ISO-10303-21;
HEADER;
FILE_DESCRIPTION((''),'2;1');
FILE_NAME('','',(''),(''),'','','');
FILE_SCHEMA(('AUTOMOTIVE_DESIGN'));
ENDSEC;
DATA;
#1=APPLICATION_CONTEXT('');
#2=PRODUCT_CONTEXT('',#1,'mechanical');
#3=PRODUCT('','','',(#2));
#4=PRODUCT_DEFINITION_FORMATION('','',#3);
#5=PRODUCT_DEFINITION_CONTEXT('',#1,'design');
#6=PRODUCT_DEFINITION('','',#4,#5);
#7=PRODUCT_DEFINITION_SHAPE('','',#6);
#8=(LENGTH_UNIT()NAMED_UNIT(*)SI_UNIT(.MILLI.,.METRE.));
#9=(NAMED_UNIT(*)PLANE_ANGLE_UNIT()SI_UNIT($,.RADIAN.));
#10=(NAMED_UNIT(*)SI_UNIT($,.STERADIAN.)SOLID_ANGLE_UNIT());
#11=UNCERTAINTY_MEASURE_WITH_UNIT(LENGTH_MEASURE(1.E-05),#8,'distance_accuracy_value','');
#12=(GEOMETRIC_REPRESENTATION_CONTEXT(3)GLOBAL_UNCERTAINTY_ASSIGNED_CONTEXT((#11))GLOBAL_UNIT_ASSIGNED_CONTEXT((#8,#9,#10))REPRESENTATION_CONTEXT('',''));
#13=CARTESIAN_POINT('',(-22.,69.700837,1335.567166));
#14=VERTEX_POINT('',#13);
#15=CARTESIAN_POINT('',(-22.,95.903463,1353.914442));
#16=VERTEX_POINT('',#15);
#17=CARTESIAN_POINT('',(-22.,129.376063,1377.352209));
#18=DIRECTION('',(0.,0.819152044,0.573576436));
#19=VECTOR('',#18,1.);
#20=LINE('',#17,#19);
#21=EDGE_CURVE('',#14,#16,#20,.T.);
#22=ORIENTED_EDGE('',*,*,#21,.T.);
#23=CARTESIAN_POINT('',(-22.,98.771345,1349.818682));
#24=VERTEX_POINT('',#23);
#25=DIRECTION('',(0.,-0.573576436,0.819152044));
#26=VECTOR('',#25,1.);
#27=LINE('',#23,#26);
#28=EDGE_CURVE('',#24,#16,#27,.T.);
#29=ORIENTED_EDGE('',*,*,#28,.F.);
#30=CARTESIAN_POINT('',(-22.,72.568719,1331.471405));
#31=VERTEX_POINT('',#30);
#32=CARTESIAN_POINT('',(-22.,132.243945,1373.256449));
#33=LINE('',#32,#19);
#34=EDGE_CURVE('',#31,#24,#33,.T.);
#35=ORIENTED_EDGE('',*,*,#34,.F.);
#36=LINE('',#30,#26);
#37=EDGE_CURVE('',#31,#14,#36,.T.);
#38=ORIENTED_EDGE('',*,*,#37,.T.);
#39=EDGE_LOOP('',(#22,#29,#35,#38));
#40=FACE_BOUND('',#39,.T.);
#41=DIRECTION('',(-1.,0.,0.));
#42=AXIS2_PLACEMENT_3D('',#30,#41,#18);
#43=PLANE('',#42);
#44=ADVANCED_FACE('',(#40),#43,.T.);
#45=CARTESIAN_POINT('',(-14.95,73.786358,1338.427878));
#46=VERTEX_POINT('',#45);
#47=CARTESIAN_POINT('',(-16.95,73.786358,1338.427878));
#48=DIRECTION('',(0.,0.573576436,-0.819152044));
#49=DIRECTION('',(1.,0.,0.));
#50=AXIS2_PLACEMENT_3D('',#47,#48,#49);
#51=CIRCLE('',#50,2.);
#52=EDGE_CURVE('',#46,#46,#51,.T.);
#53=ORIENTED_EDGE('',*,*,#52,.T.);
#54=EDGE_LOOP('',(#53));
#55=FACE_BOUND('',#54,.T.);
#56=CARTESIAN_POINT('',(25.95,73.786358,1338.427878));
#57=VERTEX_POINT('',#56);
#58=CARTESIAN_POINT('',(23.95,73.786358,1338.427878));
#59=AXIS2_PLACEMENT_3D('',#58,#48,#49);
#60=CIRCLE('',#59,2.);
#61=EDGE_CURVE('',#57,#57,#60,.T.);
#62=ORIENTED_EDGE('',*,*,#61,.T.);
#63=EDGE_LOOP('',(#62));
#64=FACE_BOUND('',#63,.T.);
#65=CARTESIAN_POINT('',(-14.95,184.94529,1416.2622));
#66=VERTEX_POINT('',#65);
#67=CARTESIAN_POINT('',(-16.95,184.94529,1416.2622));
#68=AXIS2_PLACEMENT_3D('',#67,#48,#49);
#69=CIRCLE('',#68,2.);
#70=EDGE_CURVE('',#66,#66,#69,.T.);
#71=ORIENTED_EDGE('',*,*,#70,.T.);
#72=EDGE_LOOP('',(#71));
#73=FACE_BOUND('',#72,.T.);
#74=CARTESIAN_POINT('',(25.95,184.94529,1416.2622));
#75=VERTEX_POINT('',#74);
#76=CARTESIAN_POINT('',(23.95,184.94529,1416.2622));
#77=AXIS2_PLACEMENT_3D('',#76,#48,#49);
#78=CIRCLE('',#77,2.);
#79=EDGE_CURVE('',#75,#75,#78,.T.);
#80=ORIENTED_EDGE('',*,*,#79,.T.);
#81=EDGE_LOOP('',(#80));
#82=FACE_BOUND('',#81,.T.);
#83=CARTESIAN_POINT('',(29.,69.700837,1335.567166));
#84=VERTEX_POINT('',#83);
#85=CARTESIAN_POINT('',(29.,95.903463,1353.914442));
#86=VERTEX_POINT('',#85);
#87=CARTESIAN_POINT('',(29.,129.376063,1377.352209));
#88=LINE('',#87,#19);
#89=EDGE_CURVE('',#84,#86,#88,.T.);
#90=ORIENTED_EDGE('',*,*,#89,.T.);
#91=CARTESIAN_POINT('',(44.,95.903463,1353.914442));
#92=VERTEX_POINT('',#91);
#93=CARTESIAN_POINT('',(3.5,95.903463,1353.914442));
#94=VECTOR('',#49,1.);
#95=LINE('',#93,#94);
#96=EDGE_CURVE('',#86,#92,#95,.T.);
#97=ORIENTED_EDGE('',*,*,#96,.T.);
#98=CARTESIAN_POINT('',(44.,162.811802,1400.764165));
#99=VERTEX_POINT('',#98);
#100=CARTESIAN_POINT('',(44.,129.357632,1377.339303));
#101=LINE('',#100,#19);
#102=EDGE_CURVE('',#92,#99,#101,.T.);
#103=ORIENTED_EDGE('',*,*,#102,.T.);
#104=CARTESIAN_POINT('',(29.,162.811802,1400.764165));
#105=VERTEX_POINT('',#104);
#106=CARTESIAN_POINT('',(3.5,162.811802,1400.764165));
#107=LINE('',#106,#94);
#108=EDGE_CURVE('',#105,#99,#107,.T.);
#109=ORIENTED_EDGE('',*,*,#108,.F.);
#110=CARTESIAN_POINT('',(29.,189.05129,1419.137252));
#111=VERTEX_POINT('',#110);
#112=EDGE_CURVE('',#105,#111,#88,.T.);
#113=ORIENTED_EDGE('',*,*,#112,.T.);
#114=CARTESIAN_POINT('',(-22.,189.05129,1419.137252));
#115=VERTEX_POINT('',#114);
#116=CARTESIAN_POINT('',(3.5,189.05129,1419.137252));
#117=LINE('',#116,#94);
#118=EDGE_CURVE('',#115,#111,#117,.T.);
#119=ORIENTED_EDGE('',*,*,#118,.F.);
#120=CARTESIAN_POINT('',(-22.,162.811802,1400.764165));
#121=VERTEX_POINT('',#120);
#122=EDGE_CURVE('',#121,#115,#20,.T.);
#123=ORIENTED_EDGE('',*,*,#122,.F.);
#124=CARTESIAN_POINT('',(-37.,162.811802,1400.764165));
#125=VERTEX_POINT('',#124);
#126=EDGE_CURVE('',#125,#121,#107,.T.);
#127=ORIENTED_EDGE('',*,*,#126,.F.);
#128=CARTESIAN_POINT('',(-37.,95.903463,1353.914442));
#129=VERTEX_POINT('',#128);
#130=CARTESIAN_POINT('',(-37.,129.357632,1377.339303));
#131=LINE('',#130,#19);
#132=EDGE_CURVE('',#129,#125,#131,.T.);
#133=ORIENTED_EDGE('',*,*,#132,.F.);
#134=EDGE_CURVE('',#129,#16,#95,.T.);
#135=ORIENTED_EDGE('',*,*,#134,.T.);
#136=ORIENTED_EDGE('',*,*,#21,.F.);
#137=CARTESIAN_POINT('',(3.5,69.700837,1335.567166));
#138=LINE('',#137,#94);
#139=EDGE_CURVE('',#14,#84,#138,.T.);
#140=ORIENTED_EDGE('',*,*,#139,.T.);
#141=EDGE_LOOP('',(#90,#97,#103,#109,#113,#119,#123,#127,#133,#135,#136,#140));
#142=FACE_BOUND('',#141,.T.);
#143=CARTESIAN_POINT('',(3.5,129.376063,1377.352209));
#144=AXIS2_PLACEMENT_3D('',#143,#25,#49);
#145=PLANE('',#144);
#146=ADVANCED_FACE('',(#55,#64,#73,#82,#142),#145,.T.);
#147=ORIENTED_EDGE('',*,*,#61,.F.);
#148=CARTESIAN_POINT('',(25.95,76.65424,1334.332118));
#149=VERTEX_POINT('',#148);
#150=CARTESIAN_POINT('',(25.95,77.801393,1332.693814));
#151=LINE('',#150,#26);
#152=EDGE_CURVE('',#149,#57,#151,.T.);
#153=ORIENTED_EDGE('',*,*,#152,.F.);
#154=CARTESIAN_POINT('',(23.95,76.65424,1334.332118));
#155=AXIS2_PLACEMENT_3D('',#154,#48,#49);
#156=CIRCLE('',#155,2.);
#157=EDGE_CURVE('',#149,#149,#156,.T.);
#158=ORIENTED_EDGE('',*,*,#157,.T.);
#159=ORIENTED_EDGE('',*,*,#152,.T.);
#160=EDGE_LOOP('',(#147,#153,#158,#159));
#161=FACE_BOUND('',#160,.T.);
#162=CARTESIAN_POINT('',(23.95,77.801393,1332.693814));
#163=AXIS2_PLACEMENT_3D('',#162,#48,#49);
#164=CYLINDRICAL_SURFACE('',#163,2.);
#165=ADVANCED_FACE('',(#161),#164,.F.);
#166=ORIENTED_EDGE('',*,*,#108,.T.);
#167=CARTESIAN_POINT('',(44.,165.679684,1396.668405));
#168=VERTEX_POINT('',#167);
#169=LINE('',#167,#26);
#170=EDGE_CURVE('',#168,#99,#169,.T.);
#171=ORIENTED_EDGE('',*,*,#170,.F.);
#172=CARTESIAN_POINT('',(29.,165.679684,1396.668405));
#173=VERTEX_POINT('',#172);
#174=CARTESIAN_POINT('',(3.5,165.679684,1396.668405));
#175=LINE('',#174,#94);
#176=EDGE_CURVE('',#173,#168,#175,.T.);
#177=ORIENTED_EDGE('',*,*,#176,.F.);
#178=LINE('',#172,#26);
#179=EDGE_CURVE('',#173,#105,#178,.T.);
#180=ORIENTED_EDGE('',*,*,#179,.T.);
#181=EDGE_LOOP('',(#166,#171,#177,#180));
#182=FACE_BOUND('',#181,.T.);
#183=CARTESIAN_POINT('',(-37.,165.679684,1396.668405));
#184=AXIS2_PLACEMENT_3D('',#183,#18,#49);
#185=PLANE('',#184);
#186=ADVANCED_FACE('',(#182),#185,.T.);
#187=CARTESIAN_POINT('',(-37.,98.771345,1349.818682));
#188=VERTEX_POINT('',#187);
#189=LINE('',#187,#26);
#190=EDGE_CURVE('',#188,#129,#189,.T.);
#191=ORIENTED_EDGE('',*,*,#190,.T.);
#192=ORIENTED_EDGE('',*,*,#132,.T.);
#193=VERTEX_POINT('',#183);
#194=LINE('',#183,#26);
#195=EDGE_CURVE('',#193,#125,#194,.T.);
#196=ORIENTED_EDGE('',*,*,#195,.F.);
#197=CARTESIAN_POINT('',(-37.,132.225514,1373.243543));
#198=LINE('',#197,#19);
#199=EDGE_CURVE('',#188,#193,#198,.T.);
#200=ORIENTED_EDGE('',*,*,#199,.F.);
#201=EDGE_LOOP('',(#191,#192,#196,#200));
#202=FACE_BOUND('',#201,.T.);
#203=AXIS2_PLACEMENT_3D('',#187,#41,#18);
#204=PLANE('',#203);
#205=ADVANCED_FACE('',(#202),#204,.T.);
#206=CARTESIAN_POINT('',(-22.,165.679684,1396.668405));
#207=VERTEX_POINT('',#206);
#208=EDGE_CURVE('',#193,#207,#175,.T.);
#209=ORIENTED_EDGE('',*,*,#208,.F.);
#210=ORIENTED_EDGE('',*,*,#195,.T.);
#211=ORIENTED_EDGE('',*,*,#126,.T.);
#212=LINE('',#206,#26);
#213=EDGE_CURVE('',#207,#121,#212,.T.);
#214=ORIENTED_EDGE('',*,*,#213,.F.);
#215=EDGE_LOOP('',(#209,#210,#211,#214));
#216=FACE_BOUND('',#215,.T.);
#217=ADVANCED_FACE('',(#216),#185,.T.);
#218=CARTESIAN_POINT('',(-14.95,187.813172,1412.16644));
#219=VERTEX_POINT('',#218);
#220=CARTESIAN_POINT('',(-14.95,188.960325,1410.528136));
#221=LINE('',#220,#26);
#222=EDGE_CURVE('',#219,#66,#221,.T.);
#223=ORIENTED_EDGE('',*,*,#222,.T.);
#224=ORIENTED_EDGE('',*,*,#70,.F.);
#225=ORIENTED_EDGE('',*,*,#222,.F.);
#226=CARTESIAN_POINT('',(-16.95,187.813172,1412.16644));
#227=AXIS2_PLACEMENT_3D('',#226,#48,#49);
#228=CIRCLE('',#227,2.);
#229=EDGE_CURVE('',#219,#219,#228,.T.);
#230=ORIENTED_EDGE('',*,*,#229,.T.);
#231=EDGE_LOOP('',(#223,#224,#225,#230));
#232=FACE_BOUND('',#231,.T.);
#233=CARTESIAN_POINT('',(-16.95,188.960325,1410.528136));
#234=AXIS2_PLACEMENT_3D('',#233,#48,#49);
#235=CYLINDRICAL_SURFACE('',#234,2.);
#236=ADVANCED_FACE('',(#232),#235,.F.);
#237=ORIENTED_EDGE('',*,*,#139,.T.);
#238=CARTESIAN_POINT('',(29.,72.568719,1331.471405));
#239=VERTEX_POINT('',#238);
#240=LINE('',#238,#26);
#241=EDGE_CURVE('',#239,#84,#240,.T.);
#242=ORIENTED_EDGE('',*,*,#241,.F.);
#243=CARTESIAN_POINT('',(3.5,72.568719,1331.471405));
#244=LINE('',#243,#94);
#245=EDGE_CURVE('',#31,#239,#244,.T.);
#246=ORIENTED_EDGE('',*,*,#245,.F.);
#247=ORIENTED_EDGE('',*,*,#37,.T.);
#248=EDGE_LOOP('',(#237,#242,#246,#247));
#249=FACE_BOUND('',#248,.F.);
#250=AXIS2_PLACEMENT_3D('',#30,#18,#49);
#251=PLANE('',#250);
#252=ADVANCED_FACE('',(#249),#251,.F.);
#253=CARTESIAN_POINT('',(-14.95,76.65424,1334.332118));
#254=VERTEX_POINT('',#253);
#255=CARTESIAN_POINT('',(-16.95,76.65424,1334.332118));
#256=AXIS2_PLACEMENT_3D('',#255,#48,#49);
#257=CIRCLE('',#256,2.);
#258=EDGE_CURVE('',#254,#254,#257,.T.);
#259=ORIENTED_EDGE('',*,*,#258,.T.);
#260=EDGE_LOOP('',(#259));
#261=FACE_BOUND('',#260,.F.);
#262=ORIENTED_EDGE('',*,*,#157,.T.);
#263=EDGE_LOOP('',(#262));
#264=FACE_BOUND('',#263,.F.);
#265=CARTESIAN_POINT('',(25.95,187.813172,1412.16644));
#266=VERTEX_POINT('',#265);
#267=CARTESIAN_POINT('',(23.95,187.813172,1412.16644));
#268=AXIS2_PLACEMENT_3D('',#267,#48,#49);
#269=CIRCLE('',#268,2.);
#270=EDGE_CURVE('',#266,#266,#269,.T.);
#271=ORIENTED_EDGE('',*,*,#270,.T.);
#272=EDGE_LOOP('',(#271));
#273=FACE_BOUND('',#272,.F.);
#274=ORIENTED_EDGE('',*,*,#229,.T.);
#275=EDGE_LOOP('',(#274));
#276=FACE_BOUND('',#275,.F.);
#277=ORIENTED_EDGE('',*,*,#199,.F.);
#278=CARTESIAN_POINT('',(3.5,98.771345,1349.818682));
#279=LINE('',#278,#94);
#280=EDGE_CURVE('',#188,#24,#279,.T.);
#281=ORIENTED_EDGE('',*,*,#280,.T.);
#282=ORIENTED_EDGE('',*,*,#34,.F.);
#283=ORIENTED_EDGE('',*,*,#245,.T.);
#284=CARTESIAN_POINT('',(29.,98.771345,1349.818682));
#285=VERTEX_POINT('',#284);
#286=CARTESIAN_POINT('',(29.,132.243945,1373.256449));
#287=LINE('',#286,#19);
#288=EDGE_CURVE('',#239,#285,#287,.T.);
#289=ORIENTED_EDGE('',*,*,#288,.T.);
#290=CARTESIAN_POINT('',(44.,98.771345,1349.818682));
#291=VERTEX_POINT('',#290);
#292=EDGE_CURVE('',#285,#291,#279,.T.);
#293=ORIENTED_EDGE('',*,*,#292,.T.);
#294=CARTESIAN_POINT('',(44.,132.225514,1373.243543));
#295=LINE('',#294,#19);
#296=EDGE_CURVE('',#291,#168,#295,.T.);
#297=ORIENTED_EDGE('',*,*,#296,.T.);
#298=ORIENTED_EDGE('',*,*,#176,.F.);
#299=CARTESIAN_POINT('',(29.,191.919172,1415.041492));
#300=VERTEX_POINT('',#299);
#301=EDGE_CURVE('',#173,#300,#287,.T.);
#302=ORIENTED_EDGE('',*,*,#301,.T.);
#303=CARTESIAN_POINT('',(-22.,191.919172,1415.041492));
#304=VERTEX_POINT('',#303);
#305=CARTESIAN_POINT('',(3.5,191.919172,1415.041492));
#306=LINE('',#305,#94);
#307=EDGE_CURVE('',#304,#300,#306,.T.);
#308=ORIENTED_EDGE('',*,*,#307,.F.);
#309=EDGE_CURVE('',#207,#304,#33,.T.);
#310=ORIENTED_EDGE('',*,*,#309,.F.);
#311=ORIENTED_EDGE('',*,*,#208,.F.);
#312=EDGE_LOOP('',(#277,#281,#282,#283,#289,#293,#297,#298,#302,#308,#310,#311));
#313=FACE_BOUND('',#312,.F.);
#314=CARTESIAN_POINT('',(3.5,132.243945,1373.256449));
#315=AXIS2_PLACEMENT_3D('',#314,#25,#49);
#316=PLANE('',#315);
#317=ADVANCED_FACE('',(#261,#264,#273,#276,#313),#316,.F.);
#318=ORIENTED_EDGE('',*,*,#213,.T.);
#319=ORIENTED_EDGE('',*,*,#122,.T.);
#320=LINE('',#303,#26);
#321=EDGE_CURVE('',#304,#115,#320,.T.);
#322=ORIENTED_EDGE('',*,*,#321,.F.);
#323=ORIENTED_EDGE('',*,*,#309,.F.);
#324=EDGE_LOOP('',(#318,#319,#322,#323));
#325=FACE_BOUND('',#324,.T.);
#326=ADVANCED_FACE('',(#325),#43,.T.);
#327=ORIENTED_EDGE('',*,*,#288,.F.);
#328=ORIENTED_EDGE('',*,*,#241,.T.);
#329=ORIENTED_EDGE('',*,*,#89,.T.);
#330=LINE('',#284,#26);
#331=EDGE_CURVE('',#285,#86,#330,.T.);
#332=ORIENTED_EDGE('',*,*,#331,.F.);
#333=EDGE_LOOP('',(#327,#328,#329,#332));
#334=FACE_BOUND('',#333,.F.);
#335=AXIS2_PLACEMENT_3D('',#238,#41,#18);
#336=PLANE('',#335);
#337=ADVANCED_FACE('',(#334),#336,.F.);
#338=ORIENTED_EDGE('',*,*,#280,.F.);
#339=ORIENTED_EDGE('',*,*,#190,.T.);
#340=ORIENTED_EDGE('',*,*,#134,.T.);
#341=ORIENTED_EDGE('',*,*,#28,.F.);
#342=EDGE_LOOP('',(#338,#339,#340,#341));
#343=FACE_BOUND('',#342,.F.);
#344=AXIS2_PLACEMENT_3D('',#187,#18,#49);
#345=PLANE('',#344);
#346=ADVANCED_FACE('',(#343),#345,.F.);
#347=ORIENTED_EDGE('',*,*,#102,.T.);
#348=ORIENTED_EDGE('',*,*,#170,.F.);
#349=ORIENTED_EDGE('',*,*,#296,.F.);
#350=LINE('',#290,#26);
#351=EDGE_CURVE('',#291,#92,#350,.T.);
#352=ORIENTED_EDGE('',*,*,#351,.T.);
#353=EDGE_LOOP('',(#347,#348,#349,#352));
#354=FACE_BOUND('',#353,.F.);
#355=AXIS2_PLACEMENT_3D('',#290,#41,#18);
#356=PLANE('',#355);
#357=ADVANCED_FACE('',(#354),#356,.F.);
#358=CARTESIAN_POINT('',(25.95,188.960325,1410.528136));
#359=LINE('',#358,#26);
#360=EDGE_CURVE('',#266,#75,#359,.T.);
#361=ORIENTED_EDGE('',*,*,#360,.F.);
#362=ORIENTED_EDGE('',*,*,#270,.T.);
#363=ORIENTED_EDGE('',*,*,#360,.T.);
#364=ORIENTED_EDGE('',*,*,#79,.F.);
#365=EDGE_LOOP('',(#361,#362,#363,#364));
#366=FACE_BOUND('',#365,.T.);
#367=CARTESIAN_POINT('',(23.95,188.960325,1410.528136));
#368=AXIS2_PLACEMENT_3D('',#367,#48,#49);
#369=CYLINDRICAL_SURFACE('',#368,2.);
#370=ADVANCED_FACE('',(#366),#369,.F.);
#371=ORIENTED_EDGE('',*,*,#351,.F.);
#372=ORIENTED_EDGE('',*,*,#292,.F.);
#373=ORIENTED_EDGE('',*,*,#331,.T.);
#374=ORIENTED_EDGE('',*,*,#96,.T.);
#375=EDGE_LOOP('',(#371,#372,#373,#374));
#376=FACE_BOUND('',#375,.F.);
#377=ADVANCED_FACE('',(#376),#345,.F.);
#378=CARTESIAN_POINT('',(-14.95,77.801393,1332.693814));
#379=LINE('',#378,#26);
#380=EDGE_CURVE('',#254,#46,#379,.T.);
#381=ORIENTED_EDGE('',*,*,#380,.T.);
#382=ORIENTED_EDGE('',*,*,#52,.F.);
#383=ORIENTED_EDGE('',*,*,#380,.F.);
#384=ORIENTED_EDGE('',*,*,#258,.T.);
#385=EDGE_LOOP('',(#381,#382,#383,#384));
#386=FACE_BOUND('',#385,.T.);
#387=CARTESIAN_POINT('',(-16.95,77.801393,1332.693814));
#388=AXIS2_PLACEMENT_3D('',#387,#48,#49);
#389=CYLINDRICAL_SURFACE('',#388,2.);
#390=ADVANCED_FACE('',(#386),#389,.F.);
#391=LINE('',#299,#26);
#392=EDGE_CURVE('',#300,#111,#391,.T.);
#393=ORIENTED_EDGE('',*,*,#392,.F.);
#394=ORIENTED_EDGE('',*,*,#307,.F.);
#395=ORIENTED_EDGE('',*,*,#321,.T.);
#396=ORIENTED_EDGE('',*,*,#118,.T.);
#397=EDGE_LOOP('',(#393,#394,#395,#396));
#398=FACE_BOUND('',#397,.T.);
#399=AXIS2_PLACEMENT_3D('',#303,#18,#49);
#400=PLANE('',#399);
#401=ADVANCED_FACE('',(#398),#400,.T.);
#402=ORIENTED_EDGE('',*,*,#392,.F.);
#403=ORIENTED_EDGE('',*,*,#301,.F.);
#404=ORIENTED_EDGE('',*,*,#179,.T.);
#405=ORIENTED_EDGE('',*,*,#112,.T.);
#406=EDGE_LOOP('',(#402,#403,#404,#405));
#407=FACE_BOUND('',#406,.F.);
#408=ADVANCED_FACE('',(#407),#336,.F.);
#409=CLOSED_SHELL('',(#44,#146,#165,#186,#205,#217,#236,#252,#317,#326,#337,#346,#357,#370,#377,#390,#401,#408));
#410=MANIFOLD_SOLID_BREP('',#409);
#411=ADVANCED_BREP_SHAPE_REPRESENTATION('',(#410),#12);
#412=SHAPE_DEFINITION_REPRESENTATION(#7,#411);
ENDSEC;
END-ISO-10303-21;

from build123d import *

# Parameters (mm, degrees)
CYLINDER083_R     = 2
CYLINDER083_DEPTH = 10
ARRAY001_X_COUNT  = 2
ARRAY001_X_PITCH  = 40.9
ARRAY001_Y_COUNT  = 2
ARRAY001_Y_PITCH  = 135.7
BOX080_W          = 51
BOX080_H          = 145.7
BOX080_DEPTH      = 5
BOX079_W          = 81
BOX079_H          = 81.68
BOX079_DEPTH      = 5
CUT086_ROLL_ANGLE = 35


with BuildPart() as array001:
    # Cylinder083 → Cylinder083 (new body)
    with BuildSketch(Plane(origin=(20.55, -5, 0), x_dir=(1, 0, 0), z_dir=(0, 0, 1))):
        Circle(CYLINDER083_R)
    extrude(amount=CYLINDER083_DEPTH)

    # Array001 X: Array001 ×2


with BuildPart() as array001_1:
    add(array001.part)
    with Locations(*[(i * ARRAY001_X_PITCH, 0, 0) for i in range(1, ARRAY001_X_COUNT)]):
        add(array001.part)

    # Array001 Y: Array001 ×2


with BuildPart() as array001_2:
    add(array001_1.part)
    with Locations(*[(0, i * ARRAY001_Y_PITCH, 0) for i in range(1, ARRAY001_Y_COUNT)]):
        add(array001_1.part)


with BuildPart() as array001_3:
    # Array001 placement: moved
    add(array001_2.part.moved(Location((0, 0, -2))))


with BuildPart() as cube028:
    # Box080 → Box080 (new body)
    with BuildSketch(Plane(origin=(15.5, -9.9875, 0), x_dir=(1, 0, 0), z_dir=(0, 0, 1))):
        with Locations((25.5, 72.85)):
            Rectangle(BOX080_W, BOX080_H)
    extrude(amount=BOX080_DEPTH)


with BuildPart() as tablet_holder_plate:
    # Box079 → Box079 (new body)
    with BuildSketch(Plane(origin=(0.5, 22, 0), x_dir=(1, 0, 0), z_dir=(0, 0, 1))):
        with Locations((40.5, 40.84)):
            Rectangle(BOX079_W, BOX079_H)
    extrude(amount=BOX079_DEPTH)

    # Fusion138: union Cube028
    add(cube028.part)

    # Cut086: cut Array001
    add(array001_3.part, mode=Mode.SUBTRACT)


with BuildPart() as tablet_holder_plate_1:
    # Cut086 roll: moved
    add(tablet_holder_plate.part.rotate(Axis((0, 0, 0), (1, 0, 0)), CUT086_ROLL_ANGLE))


with BuildPart() as tablet_holder_plate_2:
    # Cut086 placement: moved
    add(tablet_holder_plate_1.part.moved(Location((-37.5, 80.75, 1337.2))))


solid = tablet_holder_plate_2.part
